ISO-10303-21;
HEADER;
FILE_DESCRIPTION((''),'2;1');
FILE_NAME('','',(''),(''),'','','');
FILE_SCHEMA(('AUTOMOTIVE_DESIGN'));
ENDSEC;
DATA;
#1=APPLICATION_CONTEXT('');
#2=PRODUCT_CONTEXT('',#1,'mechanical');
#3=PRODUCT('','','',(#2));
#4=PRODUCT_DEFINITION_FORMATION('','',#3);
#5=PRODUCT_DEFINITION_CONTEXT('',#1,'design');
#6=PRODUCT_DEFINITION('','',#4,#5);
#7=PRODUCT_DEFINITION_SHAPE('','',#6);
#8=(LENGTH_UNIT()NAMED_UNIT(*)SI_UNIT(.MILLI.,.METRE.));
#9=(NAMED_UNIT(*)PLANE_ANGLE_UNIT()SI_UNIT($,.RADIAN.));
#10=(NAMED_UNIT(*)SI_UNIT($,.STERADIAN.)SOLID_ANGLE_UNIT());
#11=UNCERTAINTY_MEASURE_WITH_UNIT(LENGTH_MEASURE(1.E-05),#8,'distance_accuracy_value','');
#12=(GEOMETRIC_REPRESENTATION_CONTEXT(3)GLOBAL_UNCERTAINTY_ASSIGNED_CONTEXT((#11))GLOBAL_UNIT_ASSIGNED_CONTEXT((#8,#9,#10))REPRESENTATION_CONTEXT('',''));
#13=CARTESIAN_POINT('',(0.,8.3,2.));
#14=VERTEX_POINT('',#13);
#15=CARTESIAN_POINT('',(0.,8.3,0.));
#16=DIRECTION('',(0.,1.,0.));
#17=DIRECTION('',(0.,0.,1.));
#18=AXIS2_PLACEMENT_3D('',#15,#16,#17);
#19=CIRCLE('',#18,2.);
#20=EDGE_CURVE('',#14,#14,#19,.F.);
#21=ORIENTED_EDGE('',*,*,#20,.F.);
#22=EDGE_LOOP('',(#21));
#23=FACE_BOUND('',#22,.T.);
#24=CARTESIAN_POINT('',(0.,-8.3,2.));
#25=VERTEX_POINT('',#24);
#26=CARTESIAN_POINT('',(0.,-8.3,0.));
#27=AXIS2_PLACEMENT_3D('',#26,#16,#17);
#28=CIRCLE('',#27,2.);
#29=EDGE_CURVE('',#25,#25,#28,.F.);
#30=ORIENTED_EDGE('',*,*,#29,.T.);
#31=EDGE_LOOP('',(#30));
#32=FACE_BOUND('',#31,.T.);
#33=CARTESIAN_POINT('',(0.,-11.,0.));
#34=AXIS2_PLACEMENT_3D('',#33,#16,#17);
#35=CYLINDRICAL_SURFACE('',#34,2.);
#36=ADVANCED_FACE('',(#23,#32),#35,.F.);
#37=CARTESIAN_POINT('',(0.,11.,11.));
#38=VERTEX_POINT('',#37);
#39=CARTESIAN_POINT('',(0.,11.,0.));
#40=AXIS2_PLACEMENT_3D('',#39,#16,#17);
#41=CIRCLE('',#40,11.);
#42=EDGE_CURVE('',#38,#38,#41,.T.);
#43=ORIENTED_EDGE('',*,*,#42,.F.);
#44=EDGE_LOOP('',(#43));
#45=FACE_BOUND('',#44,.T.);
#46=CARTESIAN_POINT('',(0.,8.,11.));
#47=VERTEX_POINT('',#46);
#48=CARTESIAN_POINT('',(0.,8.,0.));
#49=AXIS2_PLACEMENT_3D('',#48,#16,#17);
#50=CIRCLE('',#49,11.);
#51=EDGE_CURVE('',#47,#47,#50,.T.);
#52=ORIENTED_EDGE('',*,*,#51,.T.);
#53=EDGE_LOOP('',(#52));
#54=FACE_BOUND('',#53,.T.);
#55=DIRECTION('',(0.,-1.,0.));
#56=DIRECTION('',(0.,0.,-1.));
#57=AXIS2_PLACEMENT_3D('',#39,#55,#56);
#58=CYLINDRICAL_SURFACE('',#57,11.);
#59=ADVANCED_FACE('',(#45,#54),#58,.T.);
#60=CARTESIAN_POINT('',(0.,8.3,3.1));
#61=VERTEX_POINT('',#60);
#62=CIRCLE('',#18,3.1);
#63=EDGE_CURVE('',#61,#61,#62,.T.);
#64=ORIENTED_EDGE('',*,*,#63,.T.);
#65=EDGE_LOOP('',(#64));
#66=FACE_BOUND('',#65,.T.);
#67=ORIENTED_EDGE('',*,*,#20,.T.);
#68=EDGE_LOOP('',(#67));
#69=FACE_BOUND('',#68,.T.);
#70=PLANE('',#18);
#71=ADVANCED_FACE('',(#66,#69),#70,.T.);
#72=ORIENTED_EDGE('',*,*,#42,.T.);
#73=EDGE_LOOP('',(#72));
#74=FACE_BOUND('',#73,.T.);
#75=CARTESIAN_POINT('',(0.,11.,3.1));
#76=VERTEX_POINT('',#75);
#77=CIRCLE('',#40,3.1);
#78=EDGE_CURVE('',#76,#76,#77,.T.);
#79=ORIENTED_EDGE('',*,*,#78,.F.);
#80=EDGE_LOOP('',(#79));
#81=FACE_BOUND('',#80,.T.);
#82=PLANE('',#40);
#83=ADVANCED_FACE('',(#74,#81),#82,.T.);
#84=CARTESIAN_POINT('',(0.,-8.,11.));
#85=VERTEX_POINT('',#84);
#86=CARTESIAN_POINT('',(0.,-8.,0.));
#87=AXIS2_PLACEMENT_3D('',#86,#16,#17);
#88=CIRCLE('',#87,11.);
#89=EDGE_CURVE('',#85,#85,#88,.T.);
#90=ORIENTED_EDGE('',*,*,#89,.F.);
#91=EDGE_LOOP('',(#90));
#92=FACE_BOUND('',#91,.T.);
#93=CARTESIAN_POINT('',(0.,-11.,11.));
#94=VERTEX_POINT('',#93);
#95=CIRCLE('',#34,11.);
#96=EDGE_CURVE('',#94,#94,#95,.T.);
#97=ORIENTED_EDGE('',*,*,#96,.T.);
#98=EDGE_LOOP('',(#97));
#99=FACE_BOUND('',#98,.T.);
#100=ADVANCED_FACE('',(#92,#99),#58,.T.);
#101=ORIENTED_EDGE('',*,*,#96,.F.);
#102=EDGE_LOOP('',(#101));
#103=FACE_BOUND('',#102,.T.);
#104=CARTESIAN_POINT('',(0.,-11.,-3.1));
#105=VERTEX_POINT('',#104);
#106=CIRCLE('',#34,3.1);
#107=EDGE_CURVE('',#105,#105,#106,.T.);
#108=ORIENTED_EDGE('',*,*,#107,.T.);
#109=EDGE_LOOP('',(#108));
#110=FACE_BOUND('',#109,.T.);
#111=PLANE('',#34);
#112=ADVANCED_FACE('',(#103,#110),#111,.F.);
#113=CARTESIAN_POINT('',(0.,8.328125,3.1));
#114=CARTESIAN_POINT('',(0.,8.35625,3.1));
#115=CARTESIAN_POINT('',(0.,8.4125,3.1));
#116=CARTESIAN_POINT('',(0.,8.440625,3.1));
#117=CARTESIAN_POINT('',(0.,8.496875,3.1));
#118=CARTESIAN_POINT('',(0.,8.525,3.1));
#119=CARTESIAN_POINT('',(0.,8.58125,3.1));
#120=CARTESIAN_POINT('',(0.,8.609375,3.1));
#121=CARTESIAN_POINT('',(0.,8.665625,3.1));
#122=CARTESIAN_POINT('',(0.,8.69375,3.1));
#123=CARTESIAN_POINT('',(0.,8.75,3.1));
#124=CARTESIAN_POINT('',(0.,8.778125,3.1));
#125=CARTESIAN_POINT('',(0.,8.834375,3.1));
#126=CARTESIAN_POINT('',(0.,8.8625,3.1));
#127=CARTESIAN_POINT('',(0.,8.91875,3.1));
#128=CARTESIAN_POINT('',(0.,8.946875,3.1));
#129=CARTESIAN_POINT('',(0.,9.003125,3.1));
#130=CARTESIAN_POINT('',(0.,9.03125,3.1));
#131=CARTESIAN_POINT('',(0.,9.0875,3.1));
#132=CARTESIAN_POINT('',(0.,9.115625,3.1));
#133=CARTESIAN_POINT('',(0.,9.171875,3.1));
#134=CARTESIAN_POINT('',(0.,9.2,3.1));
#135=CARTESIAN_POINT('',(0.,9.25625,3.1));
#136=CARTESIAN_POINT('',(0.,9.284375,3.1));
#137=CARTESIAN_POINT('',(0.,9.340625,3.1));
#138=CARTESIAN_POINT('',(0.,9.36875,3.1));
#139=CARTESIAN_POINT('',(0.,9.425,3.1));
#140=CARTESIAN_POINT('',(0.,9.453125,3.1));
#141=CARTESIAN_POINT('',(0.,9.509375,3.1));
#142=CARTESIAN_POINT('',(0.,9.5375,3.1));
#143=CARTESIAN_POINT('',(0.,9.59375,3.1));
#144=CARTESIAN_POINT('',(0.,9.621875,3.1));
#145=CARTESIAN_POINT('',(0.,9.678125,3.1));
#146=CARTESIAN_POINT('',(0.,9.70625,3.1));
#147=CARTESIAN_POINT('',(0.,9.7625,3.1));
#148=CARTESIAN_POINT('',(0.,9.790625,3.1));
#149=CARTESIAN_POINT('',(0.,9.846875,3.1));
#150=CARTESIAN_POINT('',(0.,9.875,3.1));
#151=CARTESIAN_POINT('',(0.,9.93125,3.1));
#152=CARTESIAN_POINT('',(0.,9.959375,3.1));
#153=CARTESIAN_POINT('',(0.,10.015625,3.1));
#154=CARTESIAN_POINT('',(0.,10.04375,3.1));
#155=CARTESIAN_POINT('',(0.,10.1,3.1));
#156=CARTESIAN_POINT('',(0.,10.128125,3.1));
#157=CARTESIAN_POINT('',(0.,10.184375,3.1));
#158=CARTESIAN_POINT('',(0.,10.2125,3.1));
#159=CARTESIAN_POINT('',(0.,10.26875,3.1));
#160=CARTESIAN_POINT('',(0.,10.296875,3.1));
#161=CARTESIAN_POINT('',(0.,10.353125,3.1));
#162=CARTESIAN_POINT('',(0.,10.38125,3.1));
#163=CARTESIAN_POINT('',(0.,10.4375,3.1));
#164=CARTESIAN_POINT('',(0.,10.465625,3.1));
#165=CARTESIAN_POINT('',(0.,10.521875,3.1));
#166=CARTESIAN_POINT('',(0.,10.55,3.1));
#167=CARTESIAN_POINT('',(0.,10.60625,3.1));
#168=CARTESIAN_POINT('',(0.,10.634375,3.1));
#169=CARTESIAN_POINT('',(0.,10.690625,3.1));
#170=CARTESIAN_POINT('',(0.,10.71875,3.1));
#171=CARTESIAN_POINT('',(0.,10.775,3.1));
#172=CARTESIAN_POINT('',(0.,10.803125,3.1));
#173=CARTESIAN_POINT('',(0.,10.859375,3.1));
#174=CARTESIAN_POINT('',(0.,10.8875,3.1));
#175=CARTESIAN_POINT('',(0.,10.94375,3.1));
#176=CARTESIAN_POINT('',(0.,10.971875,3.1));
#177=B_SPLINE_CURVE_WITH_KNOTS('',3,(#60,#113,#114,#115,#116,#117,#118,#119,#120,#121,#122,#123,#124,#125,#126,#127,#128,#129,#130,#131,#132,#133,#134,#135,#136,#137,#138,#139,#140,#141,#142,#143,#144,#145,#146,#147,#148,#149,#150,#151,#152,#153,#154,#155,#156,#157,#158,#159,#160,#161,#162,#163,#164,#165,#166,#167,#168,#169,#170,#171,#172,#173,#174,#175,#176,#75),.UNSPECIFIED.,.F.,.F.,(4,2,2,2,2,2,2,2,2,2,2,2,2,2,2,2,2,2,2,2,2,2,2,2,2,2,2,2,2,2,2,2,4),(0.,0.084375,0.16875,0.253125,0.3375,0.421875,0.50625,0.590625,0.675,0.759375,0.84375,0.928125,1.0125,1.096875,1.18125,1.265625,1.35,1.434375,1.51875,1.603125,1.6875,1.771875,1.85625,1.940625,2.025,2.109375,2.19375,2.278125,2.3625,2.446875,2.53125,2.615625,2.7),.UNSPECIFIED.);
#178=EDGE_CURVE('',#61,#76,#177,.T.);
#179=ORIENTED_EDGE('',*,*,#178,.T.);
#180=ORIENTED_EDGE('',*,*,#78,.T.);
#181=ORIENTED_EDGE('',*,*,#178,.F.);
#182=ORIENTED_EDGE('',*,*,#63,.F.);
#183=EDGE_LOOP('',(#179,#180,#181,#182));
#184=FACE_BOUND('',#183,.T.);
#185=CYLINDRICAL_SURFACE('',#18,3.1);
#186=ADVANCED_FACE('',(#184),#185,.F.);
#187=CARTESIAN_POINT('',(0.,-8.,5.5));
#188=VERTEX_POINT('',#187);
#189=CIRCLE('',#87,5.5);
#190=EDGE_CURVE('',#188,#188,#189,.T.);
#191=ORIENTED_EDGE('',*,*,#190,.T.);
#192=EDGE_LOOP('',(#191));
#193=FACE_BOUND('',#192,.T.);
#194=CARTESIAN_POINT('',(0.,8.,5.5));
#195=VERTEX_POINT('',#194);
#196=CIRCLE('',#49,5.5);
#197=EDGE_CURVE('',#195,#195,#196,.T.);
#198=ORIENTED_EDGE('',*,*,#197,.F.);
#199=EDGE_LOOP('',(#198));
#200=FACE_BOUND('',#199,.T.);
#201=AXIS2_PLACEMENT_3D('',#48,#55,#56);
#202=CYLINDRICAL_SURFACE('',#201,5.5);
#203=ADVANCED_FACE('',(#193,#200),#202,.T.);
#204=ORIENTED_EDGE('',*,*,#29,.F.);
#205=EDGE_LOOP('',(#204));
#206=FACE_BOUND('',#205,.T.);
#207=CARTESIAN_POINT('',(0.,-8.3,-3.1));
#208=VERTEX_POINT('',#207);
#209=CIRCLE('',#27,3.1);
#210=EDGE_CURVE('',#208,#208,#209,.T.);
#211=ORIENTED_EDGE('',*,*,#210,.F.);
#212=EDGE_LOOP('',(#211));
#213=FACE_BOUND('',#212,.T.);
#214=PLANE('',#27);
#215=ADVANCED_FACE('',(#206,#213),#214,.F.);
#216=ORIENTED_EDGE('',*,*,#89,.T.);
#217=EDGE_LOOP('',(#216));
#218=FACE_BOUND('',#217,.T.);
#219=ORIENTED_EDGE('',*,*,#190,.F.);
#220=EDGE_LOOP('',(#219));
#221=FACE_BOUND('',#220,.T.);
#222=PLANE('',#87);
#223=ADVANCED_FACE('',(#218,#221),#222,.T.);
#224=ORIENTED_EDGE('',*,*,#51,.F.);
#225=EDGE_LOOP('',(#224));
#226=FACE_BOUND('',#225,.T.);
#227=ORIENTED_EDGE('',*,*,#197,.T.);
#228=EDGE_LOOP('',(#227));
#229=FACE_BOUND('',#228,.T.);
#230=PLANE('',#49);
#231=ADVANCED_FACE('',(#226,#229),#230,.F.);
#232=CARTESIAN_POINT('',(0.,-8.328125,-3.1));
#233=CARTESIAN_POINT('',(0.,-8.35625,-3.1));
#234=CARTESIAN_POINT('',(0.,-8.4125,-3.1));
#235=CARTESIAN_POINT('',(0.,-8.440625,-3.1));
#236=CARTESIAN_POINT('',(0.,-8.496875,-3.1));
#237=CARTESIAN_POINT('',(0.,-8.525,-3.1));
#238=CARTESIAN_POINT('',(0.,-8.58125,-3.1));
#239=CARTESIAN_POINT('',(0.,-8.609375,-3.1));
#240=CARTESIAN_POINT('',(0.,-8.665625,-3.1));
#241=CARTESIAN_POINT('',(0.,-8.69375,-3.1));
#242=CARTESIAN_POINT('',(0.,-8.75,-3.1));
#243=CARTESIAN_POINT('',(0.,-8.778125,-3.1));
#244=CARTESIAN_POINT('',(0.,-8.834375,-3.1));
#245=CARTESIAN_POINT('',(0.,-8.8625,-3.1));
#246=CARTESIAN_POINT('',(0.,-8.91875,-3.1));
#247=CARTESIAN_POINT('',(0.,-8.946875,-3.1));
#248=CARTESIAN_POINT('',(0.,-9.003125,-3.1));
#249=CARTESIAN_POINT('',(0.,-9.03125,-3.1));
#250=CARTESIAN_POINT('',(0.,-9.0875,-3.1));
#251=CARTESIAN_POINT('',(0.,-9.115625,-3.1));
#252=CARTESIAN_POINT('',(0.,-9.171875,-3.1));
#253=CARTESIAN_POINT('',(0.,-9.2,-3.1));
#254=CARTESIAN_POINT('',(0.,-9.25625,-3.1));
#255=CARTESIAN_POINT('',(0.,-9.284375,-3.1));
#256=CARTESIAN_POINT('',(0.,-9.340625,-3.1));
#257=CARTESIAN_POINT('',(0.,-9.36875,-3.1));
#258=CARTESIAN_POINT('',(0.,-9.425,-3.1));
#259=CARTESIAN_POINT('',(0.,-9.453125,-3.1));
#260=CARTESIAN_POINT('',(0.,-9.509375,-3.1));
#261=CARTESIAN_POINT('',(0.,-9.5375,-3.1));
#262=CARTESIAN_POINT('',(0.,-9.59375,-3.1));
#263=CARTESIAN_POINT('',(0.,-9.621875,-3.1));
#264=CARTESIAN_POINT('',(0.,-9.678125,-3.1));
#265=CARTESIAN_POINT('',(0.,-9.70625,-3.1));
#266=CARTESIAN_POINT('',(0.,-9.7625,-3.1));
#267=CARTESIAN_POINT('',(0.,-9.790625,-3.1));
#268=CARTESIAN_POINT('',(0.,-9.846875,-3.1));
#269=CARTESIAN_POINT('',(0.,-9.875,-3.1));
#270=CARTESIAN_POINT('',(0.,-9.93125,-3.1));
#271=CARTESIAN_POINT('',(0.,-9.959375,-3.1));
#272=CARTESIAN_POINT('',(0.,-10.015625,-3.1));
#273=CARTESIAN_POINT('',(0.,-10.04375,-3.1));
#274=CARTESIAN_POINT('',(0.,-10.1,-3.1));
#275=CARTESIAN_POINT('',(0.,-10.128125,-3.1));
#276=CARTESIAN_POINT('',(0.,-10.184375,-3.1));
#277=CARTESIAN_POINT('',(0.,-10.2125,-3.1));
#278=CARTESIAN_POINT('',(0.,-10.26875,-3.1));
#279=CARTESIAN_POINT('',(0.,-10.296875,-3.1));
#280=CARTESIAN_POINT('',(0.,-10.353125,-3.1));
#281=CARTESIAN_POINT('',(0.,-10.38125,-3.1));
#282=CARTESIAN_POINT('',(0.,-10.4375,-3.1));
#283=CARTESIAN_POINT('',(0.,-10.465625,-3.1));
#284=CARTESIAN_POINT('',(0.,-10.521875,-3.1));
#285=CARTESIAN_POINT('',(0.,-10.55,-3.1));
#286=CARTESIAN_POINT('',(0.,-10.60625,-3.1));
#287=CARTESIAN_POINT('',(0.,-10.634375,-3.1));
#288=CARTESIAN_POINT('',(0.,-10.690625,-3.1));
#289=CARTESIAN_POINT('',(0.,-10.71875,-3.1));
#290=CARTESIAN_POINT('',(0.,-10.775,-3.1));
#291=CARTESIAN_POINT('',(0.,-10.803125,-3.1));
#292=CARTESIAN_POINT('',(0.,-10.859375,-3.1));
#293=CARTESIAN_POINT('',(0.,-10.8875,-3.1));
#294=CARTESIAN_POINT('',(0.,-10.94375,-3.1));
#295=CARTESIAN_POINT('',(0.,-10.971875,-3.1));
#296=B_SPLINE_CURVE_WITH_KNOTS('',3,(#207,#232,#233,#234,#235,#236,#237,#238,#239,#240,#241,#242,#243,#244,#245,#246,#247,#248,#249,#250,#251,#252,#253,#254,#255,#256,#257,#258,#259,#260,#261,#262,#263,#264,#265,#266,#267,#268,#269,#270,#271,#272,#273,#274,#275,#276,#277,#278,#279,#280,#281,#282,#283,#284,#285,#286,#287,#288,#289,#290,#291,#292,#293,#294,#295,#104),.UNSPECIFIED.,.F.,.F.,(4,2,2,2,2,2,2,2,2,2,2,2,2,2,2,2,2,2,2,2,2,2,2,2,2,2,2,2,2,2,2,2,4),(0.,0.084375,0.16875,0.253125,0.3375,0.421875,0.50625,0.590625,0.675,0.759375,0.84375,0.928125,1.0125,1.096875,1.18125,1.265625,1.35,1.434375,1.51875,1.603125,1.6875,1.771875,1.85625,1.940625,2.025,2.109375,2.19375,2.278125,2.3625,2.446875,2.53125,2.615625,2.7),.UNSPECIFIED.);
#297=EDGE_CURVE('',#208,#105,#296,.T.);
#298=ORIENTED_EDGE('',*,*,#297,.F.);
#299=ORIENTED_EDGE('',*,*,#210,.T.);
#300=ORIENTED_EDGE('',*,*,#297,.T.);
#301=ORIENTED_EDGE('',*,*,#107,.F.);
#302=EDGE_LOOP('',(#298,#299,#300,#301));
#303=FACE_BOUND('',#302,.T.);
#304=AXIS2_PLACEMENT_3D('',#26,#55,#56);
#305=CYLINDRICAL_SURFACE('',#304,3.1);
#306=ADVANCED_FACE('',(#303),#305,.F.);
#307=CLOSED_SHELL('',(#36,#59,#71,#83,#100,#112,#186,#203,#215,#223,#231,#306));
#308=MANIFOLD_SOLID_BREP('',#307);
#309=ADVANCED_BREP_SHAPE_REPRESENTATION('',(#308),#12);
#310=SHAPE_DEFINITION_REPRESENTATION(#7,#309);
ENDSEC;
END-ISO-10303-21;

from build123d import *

# Parameters (mm, degrees)
SKETCH_1_R          = 11
EXTRUDE_3_DEPTH     = 11
SKETCH_1_10_R       = 11
SKETCH_1_10_R_2     = 5.5
CUT_EXTRUDE_1_DEPTH = 8
SKETCH_2_R          = 2
CUT_EXTRUDE_2_DEPTH = 27.944387171
SKETCH_2_3_R        = 3.1
CUT_EXTRUDE_3_DEPTH = 2.7
CUT_EXTRUDE_START   = -19.3
SKETCH_2_4_R        = 3.1
CUT_EXTRUDE_4_DEPTH = 2.7


with BuildPart() as part:
    # 草图1 → 凸台-拉伸3 (new, symmetric)
    with BuildSketch(Plane(origin=(0, 0, 0), x_dir=(1, 0, 0), z_dir=(0, 1, 0))):
        with Locations(Location((0, 0, 0), (0, 0, 270))):
            Circle(SKETCH_1_R)
    extrude(amount=EXTRUDE_3_DEPTH, both=True)

    # 草图1<10> → 切除-拉伸1 (cut, symmetric)
    with BuildSketch(Plane(origin=(0, 0, 0), x_dir=(1, 0, 0), z_dir=(0, 1, 0))):
        with Locations(Location((0, 0, 0), (0, 0, 270))):
            Circle(SKETCH_1_10_R)
        with Locations(Location((0, 0, 0), (0, 0, 270))):
            Circle(SKETCH_1_10_R_2, mode=Mode.SUBTRACT)
    extrude(amount=CUT_EXTRUDE_1_DEPTH, both=True, mode=Mode.SUBTRACT)

    # 草图2 → 切除-拉伸2 (cut, through all)
    with BuildSketch(Plane(origin=(0, 11, 0), x_dir=(1, 0, 0), z_dir=(0, 1, 0))):
        with Locations(Location((0, 0, 0), (0, 0, 270))):
            Circle(SKETCH_2_R)
    extrude(amount=-CUT_EXTRUDE_2_DEPTH, mode=Mode.SUBTRACT)

    # 草图2<3> → 切除-拉伸3 (cut)
    with BuildSketch(Plane(origin=(0, 11, 0), x_dir=(1, 0, 0), z_dir=(0, 1, 0))):
        with Locations(Location((0, 0, 0), (0, 0, 270))):
            Circle(SKETCH_2_3_R)
    extrude(amount=-CUT_EXTRUDE_3_DEPTH, mode=Mode.SUBTRACT)

    # 草图2<4> → 切除-拉伸4 (cut)
    with BuildSketch(Plane(origin=(0, 11, 0), x_dir=(1, 0, 0), z_dir=(0, 1, 0)).offset(CUT_EXTRUDE_START)):
        with Locations(Location((0, 0, 0), (0, 0, 270))):
            Circle(SKETCH_2_4_R)
    extrude(amount=-CUT_EXTRUDE_4_DEPTH, mode=Mode.SUBTRACT)


solid = part.part
